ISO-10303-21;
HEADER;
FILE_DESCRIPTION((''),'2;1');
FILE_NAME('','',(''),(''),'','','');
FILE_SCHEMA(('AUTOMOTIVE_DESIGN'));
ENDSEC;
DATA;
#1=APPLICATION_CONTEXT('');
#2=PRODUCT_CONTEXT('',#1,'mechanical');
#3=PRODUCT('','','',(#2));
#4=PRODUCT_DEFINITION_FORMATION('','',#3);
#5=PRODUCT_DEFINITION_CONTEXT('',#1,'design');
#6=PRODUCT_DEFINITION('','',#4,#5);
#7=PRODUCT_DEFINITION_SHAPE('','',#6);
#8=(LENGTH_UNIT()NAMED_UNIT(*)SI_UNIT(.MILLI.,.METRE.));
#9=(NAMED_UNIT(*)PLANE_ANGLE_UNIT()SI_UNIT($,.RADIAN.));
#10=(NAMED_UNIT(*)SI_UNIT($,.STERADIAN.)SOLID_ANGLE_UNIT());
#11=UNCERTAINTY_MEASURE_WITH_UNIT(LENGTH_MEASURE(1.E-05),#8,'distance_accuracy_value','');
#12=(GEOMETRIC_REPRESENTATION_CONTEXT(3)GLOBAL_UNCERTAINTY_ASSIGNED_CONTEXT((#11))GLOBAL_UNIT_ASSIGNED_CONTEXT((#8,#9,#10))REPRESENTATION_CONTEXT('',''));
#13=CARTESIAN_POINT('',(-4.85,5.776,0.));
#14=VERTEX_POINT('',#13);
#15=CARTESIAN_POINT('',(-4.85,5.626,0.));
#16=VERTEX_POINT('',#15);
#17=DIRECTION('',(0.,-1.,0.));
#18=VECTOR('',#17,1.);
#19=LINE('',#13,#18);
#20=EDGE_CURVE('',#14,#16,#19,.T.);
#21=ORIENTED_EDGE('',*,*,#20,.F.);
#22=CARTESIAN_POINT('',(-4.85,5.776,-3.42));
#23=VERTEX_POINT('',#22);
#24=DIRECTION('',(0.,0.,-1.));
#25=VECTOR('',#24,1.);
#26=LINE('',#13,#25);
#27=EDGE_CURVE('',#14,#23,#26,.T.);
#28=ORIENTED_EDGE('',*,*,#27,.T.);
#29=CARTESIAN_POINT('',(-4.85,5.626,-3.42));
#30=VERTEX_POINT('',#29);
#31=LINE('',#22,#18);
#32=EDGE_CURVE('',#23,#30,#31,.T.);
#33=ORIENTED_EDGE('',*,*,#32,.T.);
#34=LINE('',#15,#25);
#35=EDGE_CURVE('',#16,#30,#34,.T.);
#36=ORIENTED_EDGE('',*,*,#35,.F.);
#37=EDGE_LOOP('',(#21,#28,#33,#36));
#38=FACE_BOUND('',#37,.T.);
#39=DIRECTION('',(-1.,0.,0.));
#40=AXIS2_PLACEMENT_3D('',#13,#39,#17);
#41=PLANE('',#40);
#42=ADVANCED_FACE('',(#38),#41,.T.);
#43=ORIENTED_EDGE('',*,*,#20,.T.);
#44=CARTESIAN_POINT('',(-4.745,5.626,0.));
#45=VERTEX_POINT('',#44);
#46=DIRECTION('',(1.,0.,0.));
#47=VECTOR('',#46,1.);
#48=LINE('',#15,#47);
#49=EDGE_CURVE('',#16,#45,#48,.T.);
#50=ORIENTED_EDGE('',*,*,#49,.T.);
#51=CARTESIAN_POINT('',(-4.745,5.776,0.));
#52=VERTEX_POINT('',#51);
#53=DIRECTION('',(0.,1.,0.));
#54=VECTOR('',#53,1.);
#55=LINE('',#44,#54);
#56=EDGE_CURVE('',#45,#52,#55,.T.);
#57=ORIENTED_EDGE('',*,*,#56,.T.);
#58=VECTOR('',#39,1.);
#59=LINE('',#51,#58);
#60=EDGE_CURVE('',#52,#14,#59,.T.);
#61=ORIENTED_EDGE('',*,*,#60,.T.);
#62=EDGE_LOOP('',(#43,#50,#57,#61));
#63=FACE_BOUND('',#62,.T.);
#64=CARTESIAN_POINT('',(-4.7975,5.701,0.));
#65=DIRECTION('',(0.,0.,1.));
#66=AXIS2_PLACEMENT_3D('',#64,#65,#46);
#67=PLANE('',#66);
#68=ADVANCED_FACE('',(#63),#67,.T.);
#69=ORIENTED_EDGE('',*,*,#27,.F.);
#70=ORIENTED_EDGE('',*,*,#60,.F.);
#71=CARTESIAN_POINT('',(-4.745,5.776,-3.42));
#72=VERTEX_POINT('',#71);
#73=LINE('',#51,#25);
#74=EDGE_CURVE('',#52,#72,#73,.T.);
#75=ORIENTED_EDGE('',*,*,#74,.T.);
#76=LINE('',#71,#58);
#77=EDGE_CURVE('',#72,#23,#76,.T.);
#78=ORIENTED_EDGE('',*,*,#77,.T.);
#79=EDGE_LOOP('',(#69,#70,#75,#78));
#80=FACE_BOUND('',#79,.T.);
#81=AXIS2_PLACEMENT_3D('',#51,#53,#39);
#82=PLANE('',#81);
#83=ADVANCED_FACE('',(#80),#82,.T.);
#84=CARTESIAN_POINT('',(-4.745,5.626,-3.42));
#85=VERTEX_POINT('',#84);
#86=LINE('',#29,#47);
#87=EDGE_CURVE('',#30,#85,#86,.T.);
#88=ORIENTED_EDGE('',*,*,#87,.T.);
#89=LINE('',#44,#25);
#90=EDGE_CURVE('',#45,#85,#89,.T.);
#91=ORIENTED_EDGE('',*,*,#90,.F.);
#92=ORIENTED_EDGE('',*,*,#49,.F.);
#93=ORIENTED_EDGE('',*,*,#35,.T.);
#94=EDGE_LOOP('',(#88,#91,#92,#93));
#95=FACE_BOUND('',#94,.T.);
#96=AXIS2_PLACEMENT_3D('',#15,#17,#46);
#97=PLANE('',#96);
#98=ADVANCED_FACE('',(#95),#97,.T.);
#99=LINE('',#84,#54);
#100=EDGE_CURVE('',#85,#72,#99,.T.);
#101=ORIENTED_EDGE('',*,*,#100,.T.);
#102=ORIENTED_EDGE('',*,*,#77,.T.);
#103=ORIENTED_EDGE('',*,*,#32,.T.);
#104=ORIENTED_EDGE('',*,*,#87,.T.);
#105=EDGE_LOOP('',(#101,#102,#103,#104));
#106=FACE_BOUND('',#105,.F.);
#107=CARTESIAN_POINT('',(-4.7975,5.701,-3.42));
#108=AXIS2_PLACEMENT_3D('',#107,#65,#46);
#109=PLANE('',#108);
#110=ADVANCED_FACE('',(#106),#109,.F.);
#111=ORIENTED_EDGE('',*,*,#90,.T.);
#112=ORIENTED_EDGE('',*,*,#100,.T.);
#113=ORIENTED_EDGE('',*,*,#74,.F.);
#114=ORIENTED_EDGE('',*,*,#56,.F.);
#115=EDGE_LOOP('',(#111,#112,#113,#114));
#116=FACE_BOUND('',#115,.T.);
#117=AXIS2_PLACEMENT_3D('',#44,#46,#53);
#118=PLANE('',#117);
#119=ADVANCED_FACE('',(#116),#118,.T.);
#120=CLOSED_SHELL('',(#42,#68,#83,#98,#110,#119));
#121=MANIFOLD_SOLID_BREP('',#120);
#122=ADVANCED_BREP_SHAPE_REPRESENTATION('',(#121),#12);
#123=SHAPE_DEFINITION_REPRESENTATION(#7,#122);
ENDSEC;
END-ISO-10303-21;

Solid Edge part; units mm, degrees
sketch "Sketch1" plane through (0, 0, 0) normal (0, 0, 1) x (1, 0, 0)
  line L0 (-4.85, 5.776) -> (-4.85, 5.626)
  line L1 (-4.85, 5.626) -> (-4.745, 5.626)
  line L2 (-4.745, 5.626) -> (-4.745, 5.776)
  line L3 (-4.745, 5.776) -> (-4.85, 5.776)
  dimension "D1" = 0.15
  dimension "D2" = 0.105
extrude "Protrusion1" add sketch "Sketch1" against normal blind 3.42
